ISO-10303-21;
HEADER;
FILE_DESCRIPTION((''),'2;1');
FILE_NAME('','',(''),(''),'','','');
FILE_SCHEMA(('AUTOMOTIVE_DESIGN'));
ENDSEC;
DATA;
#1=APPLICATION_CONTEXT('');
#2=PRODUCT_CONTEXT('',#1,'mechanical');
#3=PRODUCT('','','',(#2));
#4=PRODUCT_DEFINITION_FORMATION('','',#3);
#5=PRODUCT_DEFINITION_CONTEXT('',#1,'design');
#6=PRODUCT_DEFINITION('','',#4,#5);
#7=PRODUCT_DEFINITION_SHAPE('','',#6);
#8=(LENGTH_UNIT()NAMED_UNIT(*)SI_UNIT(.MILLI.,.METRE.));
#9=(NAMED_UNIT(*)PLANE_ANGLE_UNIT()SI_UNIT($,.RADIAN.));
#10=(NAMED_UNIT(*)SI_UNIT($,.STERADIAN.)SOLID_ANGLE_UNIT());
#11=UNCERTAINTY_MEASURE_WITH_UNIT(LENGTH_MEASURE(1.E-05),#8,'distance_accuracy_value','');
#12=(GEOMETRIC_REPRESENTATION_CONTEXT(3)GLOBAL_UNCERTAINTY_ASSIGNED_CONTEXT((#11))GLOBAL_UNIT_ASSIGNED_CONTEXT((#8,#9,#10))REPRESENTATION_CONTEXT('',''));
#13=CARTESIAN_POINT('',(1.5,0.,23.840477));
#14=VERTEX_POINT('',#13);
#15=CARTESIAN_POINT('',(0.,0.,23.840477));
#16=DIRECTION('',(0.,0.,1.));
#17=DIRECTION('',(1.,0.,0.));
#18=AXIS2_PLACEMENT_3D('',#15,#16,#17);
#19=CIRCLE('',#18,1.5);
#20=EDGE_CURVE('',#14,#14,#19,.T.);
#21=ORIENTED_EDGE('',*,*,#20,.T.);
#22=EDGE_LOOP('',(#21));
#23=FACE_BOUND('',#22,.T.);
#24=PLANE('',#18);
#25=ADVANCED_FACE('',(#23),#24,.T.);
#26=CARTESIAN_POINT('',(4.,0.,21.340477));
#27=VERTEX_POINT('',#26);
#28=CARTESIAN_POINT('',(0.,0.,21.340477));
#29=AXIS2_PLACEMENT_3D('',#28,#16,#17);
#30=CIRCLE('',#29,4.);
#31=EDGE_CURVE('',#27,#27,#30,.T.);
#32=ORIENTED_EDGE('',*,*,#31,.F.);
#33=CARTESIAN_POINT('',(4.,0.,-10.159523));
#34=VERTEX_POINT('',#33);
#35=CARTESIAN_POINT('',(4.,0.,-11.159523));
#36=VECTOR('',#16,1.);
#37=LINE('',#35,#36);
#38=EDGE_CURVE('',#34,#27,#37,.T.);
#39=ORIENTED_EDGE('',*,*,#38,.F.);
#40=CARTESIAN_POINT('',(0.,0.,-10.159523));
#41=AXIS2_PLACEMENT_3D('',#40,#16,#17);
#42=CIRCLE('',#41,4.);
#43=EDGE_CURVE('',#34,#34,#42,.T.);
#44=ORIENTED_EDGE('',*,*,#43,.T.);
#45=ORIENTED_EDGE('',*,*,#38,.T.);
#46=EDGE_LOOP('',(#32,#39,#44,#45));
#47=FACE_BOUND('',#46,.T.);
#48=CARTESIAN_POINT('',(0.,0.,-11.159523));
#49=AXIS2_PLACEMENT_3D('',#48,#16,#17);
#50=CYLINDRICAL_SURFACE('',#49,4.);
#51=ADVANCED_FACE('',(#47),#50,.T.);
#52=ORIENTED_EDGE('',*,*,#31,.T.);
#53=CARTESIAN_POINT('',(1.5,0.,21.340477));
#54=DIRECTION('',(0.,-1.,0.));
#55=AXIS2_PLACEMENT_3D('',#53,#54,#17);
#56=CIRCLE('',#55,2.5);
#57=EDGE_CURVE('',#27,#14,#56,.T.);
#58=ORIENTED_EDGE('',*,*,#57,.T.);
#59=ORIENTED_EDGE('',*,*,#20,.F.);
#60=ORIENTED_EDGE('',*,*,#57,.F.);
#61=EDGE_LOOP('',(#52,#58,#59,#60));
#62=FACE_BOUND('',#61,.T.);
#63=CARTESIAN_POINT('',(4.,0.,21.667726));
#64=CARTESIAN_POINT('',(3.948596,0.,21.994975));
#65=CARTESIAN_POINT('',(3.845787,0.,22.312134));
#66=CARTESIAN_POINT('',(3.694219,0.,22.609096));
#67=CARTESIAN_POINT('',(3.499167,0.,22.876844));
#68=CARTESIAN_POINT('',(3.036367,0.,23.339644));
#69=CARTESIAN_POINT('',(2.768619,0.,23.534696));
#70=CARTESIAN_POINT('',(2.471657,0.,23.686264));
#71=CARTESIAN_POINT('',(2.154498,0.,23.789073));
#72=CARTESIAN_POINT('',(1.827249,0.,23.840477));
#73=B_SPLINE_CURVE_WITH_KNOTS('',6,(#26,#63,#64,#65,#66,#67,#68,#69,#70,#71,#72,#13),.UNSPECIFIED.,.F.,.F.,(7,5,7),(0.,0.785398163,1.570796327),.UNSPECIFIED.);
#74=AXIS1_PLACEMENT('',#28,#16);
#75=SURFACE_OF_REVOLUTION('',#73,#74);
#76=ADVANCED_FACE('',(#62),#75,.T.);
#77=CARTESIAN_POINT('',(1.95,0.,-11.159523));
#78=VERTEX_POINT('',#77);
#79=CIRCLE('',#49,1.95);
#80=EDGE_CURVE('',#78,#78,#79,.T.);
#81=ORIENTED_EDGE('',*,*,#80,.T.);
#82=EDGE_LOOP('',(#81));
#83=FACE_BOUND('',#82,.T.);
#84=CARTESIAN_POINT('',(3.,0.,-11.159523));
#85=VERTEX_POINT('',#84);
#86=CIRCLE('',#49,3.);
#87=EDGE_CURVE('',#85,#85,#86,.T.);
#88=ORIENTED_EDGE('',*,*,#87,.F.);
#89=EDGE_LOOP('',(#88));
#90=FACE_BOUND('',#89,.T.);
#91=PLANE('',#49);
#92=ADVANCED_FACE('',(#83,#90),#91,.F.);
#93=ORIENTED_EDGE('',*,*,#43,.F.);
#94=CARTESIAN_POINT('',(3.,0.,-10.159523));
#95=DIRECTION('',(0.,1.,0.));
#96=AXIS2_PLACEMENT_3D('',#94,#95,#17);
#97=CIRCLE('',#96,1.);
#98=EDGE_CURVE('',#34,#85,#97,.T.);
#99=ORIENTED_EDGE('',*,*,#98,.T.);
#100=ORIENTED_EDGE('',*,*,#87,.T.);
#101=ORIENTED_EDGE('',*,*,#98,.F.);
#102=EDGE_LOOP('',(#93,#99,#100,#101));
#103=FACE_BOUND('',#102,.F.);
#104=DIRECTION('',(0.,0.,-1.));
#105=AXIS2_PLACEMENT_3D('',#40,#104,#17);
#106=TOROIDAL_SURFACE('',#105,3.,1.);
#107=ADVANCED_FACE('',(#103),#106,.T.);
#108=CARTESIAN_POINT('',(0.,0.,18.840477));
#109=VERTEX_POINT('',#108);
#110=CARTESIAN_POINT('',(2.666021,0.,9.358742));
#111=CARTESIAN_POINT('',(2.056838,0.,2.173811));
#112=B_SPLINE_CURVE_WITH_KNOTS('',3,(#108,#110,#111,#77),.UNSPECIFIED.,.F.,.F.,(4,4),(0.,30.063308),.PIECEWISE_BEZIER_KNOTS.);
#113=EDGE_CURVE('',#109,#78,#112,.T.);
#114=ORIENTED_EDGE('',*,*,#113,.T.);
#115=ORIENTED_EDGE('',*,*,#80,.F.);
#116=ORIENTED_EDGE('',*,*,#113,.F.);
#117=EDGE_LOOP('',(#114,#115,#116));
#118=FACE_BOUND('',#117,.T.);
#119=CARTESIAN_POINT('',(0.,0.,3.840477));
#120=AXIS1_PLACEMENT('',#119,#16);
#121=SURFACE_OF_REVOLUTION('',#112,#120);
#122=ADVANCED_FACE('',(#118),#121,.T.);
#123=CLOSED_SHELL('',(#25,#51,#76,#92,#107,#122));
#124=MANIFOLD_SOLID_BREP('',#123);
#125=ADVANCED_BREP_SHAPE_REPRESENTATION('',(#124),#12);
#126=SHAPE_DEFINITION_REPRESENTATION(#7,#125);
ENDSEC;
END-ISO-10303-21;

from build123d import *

# Parameters (mm, degrees)
F2_R = 2.5
F3_R = 1


with BuildPart() as f1:
    # F0 (on Front) → F1 (revolve)
    with BuildSketch(Plane.XZ):
        with BuildLine():
            add(Edge.make_bspline(
                [(0, 18.840477), (2.666021, 9.358742), (2.056838, 2.173811), (1.95, -11.159523)],
                knots=[0, 0, 0, 0, 30.063308, 30.063308, 30.063308, 30.063308], degree=3))
            Line((1.95, -11.159523), (4, -11.159523))
            Line((4, -11.159523), (4, 23.840477))
            Line((4, 23.840477), (0, 23.840477))
            Line((0, 23.840477), (0, 18.840477))
        make_face()
    revolve(axis=Axis((0, 0, 3.840477), (0, 0, 1)))

    # F2
    f2_edges = [f1.edges().sort_by_distance(p)[0] for p in [
        (-4, 0, 23.840477),
    ]]
    fillet(f2_edges, radius=F2_R)

    # F3
    f3_edges = [f1.edges().sort_by_distance(p)[0] for p in [
        (-4, 0, -11.159523),
    ]]
    fillet(f3_edges, radius=F3_R)


solid = f1.part
